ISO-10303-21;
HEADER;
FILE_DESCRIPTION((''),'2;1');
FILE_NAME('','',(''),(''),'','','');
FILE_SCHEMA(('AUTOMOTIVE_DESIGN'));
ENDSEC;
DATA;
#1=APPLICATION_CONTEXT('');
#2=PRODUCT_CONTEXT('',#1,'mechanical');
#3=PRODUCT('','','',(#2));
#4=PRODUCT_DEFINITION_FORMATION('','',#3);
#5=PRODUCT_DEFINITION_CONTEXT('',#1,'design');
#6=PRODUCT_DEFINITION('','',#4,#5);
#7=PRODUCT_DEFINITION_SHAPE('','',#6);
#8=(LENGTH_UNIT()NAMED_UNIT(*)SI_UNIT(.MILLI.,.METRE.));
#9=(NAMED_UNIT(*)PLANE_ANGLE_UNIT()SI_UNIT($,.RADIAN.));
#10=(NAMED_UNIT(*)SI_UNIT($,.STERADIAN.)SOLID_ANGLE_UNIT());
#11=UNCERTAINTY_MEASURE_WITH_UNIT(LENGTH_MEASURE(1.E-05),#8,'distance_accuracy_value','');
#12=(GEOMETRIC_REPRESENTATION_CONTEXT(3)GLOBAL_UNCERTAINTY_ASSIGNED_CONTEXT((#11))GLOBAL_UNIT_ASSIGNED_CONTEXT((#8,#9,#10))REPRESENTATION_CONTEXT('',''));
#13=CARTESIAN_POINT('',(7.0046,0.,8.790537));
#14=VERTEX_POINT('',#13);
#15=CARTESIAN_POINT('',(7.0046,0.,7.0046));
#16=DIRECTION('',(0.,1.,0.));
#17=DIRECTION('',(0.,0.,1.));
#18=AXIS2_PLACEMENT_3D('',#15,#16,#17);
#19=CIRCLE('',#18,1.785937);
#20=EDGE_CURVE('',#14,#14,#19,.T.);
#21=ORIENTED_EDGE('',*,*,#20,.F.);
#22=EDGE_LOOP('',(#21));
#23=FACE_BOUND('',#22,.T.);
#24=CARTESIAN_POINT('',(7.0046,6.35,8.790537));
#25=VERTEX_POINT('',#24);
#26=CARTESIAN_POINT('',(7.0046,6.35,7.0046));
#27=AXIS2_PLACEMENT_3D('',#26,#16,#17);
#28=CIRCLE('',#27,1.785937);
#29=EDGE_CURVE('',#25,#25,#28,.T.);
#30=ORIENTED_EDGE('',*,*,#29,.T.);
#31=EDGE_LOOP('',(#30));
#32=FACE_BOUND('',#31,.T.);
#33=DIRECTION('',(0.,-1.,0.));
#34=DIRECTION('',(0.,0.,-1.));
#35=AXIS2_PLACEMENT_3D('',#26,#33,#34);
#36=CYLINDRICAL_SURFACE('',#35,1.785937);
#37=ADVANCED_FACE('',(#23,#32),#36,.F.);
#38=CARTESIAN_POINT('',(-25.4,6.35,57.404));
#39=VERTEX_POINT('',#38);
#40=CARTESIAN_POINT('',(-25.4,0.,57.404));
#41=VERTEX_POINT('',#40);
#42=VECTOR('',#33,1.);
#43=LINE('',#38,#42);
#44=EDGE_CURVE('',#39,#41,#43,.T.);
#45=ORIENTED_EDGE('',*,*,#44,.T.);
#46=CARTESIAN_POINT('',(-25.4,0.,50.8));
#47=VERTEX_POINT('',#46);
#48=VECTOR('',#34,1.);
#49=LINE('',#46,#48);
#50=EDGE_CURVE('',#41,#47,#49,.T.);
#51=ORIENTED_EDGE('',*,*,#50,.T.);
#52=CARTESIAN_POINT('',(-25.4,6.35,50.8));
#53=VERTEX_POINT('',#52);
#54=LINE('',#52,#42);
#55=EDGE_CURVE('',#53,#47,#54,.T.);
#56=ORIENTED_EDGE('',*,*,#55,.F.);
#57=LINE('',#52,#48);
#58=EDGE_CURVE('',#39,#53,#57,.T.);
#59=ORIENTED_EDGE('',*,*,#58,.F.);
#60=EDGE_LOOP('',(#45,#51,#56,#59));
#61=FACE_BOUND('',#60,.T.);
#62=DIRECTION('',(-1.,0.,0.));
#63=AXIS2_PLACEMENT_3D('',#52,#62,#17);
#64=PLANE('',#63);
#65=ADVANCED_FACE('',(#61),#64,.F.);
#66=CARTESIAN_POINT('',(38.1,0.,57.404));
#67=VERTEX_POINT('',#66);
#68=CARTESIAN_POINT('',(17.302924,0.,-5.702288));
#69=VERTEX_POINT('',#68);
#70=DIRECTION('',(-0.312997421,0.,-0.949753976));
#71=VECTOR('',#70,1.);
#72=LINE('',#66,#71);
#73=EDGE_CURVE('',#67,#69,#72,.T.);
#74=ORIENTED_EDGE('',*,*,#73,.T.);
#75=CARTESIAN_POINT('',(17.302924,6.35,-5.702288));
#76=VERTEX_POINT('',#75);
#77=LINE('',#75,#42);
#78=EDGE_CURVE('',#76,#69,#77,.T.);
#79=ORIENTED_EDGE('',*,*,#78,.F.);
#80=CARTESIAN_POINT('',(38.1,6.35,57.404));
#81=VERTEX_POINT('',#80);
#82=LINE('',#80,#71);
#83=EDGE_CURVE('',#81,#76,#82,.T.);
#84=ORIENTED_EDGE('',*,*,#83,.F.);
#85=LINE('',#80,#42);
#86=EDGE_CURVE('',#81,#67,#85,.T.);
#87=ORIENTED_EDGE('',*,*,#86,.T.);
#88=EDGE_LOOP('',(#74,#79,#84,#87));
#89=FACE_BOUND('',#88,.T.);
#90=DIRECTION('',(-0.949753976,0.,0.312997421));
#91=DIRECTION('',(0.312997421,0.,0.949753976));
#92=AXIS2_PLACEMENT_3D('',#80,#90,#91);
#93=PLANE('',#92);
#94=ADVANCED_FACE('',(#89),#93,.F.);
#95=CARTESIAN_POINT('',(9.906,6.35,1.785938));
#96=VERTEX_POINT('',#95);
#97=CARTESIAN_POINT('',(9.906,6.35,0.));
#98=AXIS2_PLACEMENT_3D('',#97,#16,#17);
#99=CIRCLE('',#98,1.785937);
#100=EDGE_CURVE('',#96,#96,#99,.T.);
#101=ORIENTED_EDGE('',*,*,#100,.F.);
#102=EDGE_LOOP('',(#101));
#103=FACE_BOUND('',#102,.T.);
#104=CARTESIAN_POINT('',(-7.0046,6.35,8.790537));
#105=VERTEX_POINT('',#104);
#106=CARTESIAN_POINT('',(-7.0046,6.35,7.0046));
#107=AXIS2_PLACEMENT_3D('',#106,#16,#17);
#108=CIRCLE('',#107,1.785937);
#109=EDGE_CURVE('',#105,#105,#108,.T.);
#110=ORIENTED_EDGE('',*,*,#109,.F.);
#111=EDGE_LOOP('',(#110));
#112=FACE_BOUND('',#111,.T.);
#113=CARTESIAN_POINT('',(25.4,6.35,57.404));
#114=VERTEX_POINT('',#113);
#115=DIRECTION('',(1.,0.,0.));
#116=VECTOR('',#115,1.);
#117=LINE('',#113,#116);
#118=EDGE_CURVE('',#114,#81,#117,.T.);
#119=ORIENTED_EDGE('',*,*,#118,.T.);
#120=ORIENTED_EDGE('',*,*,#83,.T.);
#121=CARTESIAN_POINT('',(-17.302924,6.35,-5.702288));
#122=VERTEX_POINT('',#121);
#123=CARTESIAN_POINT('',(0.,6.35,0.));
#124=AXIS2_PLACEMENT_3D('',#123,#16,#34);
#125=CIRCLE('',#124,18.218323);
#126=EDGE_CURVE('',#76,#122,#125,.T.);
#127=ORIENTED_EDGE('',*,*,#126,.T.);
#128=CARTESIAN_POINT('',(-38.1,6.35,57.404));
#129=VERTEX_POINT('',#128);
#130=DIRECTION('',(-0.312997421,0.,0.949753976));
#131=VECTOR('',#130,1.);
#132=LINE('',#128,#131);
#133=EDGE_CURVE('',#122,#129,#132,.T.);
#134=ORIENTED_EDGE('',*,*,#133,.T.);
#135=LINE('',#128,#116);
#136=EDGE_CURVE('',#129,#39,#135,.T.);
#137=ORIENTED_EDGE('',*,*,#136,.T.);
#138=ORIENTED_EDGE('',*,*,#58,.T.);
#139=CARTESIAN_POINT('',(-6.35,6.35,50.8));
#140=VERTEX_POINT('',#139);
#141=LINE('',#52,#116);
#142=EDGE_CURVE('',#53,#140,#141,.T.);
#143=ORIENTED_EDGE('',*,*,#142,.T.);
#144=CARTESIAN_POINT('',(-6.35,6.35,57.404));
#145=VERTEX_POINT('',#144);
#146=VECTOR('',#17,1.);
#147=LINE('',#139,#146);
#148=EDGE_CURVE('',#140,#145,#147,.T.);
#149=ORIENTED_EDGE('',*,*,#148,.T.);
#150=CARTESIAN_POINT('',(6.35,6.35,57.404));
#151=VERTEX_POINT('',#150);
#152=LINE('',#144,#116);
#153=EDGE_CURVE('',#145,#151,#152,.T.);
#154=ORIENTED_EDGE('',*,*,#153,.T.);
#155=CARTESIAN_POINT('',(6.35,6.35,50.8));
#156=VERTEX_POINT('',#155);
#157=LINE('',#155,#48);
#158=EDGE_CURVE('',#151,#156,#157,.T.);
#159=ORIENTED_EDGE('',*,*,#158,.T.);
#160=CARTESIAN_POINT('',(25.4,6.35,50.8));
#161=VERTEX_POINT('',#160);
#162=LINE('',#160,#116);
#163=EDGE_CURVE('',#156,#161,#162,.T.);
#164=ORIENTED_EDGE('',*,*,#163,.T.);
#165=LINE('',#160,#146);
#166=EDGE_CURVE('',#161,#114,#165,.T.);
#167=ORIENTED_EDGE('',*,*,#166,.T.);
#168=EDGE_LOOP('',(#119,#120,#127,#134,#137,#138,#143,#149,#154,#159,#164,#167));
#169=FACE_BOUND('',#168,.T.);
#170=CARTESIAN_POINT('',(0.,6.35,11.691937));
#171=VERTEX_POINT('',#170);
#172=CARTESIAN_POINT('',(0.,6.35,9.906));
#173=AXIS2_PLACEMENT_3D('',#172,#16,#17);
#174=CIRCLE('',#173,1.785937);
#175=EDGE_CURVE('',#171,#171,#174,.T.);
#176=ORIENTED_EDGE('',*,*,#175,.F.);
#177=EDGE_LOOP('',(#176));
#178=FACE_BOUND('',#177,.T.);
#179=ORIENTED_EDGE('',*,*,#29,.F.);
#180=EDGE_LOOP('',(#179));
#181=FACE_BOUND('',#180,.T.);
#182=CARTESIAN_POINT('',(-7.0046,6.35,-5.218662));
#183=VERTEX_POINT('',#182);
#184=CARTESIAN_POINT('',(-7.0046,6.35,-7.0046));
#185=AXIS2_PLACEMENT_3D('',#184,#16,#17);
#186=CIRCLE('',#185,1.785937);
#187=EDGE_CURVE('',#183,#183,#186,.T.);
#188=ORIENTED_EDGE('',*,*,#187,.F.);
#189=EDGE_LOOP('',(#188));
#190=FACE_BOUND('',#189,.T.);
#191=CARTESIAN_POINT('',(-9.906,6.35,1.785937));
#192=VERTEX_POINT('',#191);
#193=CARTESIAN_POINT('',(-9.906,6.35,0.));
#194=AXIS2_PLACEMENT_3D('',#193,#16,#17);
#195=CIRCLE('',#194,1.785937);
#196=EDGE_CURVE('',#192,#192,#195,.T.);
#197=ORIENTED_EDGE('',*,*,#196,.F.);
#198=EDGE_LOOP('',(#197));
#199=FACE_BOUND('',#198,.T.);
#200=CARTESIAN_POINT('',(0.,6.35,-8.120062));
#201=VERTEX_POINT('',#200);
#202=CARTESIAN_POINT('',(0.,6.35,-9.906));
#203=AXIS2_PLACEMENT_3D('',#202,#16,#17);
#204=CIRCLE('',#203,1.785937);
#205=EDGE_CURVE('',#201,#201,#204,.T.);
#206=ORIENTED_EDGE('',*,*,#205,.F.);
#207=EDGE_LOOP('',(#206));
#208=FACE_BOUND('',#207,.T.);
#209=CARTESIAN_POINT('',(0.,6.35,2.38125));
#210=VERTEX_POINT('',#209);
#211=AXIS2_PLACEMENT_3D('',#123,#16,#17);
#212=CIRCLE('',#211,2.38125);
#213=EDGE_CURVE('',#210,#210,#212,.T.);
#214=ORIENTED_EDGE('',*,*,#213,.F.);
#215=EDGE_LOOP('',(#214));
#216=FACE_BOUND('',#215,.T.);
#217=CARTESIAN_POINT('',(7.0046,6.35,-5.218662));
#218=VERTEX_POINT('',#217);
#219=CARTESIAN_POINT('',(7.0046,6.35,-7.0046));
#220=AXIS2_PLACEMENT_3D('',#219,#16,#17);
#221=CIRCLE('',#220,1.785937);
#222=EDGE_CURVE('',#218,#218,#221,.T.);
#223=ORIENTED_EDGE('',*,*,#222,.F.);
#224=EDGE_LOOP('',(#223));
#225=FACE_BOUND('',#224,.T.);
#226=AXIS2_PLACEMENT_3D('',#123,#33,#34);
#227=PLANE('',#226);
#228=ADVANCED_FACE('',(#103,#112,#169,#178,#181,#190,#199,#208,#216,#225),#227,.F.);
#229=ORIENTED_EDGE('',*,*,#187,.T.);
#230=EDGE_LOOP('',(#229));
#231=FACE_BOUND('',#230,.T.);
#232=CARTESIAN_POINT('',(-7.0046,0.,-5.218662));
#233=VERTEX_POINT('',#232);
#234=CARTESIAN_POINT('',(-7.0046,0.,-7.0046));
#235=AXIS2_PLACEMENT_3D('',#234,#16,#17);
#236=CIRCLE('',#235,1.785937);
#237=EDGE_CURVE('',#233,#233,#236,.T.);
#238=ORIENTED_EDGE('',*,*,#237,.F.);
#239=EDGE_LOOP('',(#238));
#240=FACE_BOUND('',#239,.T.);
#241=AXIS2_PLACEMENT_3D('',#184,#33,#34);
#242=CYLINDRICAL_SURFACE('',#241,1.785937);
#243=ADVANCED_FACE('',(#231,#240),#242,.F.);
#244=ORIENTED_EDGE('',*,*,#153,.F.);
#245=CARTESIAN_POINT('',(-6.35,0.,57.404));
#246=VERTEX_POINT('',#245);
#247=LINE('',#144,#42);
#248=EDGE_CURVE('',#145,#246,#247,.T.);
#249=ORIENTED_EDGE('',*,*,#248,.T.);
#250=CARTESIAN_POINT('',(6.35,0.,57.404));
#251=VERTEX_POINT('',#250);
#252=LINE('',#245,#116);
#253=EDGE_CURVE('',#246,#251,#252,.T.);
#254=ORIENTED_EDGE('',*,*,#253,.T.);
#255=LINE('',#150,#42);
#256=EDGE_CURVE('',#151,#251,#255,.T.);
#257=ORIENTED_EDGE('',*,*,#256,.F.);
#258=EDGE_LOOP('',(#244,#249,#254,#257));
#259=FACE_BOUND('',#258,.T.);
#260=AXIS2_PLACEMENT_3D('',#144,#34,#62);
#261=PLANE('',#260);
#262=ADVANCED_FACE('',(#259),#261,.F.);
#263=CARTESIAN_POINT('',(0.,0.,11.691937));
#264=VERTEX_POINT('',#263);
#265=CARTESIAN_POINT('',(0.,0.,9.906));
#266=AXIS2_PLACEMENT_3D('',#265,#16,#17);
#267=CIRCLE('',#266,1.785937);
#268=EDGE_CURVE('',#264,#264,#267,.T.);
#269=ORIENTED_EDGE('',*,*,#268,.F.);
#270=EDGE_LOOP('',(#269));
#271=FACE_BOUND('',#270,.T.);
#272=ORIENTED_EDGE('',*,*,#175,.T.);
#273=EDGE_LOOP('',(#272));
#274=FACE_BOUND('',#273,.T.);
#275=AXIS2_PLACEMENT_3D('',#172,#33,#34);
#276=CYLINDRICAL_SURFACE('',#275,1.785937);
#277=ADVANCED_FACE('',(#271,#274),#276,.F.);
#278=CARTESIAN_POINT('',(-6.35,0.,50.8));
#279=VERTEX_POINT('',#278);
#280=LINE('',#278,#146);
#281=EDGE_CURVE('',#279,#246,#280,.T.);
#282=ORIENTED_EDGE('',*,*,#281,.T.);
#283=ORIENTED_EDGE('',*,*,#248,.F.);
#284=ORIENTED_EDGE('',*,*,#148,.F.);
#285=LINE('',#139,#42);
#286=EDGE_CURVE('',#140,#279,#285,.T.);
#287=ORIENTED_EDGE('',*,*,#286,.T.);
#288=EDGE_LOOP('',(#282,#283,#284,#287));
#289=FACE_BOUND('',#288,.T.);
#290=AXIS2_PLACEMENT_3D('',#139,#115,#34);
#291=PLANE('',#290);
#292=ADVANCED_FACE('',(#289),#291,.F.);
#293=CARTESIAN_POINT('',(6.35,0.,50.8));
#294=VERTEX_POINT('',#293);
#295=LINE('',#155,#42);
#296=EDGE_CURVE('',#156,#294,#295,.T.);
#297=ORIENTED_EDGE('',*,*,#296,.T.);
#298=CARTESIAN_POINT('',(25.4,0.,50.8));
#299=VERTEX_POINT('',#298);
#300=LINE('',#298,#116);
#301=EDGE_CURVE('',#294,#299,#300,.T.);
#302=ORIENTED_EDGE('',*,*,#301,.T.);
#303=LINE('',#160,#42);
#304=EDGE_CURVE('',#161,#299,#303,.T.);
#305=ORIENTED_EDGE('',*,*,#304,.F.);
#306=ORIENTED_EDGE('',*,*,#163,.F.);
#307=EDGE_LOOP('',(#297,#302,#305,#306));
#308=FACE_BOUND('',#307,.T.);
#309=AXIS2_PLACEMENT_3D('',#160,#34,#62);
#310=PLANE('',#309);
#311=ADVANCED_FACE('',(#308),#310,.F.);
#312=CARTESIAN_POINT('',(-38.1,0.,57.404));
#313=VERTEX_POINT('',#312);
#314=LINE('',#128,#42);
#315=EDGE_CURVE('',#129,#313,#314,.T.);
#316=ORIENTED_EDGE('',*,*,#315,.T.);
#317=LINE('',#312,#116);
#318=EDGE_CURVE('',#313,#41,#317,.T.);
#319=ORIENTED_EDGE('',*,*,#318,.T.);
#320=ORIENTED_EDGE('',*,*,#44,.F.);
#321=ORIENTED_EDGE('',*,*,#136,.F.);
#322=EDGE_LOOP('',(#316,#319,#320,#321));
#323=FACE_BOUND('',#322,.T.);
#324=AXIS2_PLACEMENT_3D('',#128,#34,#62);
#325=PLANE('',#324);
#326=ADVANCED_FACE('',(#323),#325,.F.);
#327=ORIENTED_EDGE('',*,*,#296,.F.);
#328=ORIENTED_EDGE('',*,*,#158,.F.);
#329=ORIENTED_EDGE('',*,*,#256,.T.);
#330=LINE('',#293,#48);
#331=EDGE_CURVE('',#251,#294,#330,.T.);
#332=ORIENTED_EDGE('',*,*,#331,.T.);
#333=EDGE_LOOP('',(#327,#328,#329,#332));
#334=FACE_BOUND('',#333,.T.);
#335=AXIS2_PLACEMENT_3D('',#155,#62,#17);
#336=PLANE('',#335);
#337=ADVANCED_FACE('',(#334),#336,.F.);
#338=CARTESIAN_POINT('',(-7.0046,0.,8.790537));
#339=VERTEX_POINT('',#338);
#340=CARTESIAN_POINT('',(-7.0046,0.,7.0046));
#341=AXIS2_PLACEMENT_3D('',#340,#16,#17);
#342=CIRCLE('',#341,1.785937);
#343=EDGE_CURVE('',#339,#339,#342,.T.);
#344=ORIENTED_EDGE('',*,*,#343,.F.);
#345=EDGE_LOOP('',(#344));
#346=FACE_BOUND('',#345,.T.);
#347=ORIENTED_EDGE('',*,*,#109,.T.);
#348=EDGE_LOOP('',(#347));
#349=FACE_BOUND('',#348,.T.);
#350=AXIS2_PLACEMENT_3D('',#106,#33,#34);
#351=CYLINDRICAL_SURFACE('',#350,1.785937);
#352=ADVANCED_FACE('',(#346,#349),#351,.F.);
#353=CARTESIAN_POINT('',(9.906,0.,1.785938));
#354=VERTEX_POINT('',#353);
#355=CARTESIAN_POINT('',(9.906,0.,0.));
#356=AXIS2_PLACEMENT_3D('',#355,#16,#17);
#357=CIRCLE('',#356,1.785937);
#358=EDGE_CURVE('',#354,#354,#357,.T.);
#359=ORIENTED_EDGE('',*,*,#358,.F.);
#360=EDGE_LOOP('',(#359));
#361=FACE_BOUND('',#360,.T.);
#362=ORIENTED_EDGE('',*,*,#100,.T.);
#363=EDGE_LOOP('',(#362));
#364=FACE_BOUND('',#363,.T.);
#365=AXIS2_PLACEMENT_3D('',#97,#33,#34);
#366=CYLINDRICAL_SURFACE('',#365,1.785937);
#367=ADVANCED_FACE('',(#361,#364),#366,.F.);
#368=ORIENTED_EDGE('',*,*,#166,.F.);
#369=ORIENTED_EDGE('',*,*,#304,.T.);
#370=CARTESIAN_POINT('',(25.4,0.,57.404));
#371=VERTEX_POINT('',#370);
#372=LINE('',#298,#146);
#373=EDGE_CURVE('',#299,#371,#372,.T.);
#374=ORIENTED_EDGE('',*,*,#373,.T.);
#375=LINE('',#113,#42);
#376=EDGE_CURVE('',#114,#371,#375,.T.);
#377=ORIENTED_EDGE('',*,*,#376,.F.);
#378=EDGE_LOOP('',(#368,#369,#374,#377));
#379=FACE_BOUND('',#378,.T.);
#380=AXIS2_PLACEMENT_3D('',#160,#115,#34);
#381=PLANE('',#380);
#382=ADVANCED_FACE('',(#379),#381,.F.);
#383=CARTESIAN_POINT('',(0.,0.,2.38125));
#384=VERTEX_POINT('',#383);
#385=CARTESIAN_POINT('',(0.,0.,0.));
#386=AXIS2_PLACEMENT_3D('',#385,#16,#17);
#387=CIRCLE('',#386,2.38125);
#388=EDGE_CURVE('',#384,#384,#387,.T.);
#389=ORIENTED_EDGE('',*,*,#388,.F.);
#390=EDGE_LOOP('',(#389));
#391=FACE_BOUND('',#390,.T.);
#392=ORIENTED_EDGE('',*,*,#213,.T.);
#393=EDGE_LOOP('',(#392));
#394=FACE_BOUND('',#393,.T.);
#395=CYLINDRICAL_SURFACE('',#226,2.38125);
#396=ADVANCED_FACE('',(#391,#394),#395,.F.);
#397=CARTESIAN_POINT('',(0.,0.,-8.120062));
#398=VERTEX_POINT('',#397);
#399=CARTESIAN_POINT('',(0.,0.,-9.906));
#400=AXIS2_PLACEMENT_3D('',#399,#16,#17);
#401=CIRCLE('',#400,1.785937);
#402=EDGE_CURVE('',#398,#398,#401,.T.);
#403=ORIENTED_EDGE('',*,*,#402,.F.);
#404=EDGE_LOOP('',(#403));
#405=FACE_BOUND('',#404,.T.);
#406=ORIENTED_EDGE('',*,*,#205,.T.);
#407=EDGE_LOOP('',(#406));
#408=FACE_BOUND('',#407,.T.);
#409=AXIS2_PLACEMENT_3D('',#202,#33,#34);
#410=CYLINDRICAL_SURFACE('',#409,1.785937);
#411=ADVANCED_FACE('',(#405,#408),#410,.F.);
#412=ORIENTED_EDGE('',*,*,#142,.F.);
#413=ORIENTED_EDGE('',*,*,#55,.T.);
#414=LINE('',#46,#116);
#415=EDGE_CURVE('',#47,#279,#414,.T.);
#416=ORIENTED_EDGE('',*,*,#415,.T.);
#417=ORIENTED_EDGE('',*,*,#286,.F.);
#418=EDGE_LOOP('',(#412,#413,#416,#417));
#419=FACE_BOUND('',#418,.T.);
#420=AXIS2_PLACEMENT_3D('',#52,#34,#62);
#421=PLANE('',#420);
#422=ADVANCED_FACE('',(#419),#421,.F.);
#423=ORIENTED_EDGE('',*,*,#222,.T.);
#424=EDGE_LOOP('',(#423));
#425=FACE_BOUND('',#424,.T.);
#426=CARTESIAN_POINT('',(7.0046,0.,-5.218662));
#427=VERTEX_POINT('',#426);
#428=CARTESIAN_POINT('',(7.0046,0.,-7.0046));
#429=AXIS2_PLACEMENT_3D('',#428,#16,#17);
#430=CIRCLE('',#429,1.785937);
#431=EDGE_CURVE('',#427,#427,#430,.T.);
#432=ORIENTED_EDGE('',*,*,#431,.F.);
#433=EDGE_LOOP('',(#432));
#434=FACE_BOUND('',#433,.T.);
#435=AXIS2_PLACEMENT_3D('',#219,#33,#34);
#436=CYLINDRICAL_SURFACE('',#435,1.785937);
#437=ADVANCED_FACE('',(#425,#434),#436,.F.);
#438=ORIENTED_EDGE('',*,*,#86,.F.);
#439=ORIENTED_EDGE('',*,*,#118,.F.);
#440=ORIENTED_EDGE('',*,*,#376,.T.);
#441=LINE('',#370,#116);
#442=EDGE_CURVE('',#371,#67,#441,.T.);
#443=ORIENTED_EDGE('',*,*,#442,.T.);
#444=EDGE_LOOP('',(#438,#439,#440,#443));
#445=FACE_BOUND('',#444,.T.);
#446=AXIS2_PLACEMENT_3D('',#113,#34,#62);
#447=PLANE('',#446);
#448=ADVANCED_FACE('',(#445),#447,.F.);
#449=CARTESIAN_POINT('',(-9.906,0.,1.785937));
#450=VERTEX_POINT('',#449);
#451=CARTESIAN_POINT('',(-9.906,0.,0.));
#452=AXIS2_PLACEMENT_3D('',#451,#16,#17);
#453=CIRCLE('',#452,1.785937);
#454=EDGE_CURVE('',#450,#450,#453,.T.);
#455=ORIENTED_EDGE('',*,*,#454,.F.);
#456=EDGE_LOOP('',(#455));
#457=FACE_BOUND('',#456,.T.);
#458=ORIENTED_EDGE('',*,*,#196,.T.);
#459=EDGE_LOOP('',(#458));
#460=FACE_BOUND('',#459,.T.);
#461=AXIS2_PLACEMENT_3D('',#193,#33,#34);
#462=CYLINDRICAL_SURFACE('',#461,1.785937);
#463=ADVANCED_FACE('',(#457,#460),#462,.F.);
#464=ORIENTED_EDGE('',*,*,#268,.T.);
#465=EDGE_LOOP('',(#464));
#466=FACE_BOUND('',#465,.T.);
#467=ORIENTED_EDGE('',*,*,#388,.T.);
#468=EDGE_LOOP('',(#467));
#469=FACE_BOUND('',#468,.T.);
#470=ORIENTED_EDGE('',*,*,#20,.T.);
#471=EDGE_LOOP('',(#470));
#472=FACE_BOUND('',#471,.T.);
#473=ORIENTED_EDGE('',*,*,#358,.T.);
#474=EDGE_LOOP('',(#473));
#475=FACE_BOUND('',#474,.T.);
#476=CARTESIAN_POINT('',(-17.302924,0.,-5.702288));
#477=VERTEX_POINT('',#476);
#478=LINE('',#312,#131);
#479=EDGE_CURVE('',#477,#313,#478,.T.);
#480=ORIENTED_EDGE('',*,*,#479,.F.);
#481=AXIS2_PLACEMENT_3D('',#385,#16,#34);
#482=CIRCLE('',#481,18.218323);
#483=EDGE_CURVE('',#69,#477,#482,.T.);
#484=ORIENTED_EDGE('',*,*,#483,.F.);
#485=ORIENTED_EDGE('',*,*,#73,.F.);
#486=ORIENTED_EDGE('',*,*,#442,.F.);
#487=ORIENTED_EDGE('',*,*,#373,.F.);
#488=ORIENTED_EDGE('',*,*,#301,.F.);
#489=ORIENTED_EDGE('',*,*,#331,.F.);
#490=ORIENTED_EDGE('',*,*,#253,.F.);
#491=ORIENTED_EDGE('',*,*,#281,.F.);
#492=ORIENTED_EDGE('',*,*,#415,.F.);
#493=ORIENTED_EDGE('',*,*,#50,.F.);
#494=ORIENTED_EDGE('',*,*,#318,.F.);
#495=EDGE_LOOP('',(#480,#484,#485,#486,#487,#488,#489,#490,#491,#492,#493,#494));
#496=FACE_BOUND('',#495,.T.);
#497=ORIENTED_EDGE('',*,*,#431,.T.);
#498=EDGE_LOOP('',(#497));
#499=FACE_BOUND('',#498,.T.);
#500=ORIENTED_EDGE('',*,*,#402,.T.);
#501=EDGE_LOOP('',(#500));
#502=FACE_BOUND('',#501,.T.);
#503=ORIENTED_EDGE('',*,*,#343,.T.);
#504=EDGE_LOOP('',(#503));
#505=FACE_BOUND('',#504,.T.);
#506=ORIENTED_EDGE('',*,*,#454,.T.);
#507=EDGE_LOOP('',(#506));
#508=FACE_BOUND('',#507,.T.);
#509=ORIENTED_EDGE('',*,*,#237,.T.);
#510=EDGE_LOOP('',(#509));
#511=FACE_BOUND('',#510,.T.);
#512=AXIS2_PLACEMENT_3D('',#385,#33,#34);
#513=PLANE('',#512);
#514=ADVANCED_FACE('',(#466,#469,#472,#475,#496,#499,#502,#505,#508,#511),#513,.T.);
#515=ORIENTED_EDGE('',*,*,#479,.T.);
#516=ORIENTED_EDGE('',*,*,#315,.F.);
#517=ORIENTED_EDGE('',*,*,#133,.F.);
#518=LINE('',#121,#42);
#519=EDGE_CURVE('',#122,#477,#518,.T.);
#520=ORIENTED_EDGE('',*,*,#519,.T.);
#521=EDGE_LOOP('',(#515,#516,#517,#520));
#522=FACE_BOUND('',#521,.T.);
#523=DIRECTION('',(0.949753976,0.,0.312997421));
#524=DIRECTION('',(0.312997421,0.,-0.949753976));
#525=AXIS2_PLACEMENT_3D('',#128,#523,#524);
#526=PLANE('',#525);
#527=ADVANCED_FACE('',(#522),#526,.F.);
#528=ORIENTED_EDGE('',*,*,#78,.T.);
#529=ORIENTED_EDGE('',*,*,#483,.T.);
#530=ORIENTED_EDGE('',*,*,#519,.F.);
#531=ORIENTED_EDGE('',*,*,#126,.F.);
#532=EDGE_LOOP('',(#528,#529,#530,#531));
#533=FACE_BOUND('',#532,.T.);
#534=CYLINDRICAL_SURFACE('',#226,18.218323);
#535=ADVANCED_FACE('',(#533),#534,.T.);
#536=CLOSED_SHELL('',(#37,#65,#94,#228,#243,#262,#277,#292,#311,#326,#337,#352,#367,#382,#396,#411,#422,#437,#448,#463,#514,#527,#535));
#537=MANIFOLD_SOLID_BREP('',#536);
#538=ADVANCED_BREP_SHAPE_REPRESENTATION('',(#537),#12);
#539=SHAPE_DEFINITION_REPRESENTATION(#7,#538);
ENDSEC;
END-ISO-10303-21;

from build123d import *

# Parameters (mm, degrees)
SKETCH1_R           = 2.38125
SKETCH1_R_2         = 1.7859375
BOSS_EXTRUDE1_DEPTH = 6.35


with BuildPart() as part:
    # Sketch1 → Boss-Extrude1 (new body)
    with BuildSketch(Plane(origin=(0, 0, 0), x_dir=(1, 0, 0), z_dir=(0, 1, 0))):
        with BuildLine():
            Line((-38.1, -57.404), (-25.4, -57.404))
            Line((-25.4, -57.404), (-25.4, -50.8))
            Line((-25.4, -50.8), (-6.35, -50.8))
            Line((-6.35, -50.8), (-6.35, -57.404))
            Line((-6.35, -57.404), (6.35, -57.404))
            Line((6.35, -57.404), (6.35, -50.8))
            Line((6.35, -50.8), (25.4, -50.8))
            Line((25.4, -50.8), (25.4, -57.404))
            Line((25.4, -57.404), (38.1, -57.404))
            Line((38.1, -57.404), (17.302924237, 5.702287964))
            ThreePointArc((17.302924237, 5.702287964), (0, 18.218322512), (-17.302924237, 5.702287964))
            Line((-17.302924237, 5.702287964), (-38.1, -57.404))
        make_face()
        Circle(SKETCH1_R, mode=Mode.SUBTRACT)
        with Locations((-9.906, 0)):
            Circle(SKETCH1_R_2, mode=Mode.SUBTRACT)
        with Locations((-7.004599774, 7.004599774)):
            Circle(SKETCH1_R_2, mode=Mode.SUBTRACT)
        with Locations((0, 9.906)):
            Circle(SKETCH1_R_2, mode=Mode.SUBTRACT)
        with Locations((7.004599774, 7.004599774)):
            Circle(SKETCH1_R_2, mode=Mode.SUBTRACT)
        with Locations((9.906, 0)):
            Circle(SKETCH1_R_2, mode=Mode.SUBTRACT)
        with Locations((7.004599774, -7.004599774)):
            Circle(SKETCH1_R_2, mode=Mode.SUBTRACT)
        with Locations((0, -9.906)):
            Circle(SKETCH1_R_2, mode=Mode.SUBTRACT)
        with Locations((-7.004599774, -7.004599774)):
            Circle(SKETCH1_R_2, mode=Mode.SUBTRACT)
    extrude(amount=BOSS_EXTRUDE1_DEPTH)


solid = part.part
